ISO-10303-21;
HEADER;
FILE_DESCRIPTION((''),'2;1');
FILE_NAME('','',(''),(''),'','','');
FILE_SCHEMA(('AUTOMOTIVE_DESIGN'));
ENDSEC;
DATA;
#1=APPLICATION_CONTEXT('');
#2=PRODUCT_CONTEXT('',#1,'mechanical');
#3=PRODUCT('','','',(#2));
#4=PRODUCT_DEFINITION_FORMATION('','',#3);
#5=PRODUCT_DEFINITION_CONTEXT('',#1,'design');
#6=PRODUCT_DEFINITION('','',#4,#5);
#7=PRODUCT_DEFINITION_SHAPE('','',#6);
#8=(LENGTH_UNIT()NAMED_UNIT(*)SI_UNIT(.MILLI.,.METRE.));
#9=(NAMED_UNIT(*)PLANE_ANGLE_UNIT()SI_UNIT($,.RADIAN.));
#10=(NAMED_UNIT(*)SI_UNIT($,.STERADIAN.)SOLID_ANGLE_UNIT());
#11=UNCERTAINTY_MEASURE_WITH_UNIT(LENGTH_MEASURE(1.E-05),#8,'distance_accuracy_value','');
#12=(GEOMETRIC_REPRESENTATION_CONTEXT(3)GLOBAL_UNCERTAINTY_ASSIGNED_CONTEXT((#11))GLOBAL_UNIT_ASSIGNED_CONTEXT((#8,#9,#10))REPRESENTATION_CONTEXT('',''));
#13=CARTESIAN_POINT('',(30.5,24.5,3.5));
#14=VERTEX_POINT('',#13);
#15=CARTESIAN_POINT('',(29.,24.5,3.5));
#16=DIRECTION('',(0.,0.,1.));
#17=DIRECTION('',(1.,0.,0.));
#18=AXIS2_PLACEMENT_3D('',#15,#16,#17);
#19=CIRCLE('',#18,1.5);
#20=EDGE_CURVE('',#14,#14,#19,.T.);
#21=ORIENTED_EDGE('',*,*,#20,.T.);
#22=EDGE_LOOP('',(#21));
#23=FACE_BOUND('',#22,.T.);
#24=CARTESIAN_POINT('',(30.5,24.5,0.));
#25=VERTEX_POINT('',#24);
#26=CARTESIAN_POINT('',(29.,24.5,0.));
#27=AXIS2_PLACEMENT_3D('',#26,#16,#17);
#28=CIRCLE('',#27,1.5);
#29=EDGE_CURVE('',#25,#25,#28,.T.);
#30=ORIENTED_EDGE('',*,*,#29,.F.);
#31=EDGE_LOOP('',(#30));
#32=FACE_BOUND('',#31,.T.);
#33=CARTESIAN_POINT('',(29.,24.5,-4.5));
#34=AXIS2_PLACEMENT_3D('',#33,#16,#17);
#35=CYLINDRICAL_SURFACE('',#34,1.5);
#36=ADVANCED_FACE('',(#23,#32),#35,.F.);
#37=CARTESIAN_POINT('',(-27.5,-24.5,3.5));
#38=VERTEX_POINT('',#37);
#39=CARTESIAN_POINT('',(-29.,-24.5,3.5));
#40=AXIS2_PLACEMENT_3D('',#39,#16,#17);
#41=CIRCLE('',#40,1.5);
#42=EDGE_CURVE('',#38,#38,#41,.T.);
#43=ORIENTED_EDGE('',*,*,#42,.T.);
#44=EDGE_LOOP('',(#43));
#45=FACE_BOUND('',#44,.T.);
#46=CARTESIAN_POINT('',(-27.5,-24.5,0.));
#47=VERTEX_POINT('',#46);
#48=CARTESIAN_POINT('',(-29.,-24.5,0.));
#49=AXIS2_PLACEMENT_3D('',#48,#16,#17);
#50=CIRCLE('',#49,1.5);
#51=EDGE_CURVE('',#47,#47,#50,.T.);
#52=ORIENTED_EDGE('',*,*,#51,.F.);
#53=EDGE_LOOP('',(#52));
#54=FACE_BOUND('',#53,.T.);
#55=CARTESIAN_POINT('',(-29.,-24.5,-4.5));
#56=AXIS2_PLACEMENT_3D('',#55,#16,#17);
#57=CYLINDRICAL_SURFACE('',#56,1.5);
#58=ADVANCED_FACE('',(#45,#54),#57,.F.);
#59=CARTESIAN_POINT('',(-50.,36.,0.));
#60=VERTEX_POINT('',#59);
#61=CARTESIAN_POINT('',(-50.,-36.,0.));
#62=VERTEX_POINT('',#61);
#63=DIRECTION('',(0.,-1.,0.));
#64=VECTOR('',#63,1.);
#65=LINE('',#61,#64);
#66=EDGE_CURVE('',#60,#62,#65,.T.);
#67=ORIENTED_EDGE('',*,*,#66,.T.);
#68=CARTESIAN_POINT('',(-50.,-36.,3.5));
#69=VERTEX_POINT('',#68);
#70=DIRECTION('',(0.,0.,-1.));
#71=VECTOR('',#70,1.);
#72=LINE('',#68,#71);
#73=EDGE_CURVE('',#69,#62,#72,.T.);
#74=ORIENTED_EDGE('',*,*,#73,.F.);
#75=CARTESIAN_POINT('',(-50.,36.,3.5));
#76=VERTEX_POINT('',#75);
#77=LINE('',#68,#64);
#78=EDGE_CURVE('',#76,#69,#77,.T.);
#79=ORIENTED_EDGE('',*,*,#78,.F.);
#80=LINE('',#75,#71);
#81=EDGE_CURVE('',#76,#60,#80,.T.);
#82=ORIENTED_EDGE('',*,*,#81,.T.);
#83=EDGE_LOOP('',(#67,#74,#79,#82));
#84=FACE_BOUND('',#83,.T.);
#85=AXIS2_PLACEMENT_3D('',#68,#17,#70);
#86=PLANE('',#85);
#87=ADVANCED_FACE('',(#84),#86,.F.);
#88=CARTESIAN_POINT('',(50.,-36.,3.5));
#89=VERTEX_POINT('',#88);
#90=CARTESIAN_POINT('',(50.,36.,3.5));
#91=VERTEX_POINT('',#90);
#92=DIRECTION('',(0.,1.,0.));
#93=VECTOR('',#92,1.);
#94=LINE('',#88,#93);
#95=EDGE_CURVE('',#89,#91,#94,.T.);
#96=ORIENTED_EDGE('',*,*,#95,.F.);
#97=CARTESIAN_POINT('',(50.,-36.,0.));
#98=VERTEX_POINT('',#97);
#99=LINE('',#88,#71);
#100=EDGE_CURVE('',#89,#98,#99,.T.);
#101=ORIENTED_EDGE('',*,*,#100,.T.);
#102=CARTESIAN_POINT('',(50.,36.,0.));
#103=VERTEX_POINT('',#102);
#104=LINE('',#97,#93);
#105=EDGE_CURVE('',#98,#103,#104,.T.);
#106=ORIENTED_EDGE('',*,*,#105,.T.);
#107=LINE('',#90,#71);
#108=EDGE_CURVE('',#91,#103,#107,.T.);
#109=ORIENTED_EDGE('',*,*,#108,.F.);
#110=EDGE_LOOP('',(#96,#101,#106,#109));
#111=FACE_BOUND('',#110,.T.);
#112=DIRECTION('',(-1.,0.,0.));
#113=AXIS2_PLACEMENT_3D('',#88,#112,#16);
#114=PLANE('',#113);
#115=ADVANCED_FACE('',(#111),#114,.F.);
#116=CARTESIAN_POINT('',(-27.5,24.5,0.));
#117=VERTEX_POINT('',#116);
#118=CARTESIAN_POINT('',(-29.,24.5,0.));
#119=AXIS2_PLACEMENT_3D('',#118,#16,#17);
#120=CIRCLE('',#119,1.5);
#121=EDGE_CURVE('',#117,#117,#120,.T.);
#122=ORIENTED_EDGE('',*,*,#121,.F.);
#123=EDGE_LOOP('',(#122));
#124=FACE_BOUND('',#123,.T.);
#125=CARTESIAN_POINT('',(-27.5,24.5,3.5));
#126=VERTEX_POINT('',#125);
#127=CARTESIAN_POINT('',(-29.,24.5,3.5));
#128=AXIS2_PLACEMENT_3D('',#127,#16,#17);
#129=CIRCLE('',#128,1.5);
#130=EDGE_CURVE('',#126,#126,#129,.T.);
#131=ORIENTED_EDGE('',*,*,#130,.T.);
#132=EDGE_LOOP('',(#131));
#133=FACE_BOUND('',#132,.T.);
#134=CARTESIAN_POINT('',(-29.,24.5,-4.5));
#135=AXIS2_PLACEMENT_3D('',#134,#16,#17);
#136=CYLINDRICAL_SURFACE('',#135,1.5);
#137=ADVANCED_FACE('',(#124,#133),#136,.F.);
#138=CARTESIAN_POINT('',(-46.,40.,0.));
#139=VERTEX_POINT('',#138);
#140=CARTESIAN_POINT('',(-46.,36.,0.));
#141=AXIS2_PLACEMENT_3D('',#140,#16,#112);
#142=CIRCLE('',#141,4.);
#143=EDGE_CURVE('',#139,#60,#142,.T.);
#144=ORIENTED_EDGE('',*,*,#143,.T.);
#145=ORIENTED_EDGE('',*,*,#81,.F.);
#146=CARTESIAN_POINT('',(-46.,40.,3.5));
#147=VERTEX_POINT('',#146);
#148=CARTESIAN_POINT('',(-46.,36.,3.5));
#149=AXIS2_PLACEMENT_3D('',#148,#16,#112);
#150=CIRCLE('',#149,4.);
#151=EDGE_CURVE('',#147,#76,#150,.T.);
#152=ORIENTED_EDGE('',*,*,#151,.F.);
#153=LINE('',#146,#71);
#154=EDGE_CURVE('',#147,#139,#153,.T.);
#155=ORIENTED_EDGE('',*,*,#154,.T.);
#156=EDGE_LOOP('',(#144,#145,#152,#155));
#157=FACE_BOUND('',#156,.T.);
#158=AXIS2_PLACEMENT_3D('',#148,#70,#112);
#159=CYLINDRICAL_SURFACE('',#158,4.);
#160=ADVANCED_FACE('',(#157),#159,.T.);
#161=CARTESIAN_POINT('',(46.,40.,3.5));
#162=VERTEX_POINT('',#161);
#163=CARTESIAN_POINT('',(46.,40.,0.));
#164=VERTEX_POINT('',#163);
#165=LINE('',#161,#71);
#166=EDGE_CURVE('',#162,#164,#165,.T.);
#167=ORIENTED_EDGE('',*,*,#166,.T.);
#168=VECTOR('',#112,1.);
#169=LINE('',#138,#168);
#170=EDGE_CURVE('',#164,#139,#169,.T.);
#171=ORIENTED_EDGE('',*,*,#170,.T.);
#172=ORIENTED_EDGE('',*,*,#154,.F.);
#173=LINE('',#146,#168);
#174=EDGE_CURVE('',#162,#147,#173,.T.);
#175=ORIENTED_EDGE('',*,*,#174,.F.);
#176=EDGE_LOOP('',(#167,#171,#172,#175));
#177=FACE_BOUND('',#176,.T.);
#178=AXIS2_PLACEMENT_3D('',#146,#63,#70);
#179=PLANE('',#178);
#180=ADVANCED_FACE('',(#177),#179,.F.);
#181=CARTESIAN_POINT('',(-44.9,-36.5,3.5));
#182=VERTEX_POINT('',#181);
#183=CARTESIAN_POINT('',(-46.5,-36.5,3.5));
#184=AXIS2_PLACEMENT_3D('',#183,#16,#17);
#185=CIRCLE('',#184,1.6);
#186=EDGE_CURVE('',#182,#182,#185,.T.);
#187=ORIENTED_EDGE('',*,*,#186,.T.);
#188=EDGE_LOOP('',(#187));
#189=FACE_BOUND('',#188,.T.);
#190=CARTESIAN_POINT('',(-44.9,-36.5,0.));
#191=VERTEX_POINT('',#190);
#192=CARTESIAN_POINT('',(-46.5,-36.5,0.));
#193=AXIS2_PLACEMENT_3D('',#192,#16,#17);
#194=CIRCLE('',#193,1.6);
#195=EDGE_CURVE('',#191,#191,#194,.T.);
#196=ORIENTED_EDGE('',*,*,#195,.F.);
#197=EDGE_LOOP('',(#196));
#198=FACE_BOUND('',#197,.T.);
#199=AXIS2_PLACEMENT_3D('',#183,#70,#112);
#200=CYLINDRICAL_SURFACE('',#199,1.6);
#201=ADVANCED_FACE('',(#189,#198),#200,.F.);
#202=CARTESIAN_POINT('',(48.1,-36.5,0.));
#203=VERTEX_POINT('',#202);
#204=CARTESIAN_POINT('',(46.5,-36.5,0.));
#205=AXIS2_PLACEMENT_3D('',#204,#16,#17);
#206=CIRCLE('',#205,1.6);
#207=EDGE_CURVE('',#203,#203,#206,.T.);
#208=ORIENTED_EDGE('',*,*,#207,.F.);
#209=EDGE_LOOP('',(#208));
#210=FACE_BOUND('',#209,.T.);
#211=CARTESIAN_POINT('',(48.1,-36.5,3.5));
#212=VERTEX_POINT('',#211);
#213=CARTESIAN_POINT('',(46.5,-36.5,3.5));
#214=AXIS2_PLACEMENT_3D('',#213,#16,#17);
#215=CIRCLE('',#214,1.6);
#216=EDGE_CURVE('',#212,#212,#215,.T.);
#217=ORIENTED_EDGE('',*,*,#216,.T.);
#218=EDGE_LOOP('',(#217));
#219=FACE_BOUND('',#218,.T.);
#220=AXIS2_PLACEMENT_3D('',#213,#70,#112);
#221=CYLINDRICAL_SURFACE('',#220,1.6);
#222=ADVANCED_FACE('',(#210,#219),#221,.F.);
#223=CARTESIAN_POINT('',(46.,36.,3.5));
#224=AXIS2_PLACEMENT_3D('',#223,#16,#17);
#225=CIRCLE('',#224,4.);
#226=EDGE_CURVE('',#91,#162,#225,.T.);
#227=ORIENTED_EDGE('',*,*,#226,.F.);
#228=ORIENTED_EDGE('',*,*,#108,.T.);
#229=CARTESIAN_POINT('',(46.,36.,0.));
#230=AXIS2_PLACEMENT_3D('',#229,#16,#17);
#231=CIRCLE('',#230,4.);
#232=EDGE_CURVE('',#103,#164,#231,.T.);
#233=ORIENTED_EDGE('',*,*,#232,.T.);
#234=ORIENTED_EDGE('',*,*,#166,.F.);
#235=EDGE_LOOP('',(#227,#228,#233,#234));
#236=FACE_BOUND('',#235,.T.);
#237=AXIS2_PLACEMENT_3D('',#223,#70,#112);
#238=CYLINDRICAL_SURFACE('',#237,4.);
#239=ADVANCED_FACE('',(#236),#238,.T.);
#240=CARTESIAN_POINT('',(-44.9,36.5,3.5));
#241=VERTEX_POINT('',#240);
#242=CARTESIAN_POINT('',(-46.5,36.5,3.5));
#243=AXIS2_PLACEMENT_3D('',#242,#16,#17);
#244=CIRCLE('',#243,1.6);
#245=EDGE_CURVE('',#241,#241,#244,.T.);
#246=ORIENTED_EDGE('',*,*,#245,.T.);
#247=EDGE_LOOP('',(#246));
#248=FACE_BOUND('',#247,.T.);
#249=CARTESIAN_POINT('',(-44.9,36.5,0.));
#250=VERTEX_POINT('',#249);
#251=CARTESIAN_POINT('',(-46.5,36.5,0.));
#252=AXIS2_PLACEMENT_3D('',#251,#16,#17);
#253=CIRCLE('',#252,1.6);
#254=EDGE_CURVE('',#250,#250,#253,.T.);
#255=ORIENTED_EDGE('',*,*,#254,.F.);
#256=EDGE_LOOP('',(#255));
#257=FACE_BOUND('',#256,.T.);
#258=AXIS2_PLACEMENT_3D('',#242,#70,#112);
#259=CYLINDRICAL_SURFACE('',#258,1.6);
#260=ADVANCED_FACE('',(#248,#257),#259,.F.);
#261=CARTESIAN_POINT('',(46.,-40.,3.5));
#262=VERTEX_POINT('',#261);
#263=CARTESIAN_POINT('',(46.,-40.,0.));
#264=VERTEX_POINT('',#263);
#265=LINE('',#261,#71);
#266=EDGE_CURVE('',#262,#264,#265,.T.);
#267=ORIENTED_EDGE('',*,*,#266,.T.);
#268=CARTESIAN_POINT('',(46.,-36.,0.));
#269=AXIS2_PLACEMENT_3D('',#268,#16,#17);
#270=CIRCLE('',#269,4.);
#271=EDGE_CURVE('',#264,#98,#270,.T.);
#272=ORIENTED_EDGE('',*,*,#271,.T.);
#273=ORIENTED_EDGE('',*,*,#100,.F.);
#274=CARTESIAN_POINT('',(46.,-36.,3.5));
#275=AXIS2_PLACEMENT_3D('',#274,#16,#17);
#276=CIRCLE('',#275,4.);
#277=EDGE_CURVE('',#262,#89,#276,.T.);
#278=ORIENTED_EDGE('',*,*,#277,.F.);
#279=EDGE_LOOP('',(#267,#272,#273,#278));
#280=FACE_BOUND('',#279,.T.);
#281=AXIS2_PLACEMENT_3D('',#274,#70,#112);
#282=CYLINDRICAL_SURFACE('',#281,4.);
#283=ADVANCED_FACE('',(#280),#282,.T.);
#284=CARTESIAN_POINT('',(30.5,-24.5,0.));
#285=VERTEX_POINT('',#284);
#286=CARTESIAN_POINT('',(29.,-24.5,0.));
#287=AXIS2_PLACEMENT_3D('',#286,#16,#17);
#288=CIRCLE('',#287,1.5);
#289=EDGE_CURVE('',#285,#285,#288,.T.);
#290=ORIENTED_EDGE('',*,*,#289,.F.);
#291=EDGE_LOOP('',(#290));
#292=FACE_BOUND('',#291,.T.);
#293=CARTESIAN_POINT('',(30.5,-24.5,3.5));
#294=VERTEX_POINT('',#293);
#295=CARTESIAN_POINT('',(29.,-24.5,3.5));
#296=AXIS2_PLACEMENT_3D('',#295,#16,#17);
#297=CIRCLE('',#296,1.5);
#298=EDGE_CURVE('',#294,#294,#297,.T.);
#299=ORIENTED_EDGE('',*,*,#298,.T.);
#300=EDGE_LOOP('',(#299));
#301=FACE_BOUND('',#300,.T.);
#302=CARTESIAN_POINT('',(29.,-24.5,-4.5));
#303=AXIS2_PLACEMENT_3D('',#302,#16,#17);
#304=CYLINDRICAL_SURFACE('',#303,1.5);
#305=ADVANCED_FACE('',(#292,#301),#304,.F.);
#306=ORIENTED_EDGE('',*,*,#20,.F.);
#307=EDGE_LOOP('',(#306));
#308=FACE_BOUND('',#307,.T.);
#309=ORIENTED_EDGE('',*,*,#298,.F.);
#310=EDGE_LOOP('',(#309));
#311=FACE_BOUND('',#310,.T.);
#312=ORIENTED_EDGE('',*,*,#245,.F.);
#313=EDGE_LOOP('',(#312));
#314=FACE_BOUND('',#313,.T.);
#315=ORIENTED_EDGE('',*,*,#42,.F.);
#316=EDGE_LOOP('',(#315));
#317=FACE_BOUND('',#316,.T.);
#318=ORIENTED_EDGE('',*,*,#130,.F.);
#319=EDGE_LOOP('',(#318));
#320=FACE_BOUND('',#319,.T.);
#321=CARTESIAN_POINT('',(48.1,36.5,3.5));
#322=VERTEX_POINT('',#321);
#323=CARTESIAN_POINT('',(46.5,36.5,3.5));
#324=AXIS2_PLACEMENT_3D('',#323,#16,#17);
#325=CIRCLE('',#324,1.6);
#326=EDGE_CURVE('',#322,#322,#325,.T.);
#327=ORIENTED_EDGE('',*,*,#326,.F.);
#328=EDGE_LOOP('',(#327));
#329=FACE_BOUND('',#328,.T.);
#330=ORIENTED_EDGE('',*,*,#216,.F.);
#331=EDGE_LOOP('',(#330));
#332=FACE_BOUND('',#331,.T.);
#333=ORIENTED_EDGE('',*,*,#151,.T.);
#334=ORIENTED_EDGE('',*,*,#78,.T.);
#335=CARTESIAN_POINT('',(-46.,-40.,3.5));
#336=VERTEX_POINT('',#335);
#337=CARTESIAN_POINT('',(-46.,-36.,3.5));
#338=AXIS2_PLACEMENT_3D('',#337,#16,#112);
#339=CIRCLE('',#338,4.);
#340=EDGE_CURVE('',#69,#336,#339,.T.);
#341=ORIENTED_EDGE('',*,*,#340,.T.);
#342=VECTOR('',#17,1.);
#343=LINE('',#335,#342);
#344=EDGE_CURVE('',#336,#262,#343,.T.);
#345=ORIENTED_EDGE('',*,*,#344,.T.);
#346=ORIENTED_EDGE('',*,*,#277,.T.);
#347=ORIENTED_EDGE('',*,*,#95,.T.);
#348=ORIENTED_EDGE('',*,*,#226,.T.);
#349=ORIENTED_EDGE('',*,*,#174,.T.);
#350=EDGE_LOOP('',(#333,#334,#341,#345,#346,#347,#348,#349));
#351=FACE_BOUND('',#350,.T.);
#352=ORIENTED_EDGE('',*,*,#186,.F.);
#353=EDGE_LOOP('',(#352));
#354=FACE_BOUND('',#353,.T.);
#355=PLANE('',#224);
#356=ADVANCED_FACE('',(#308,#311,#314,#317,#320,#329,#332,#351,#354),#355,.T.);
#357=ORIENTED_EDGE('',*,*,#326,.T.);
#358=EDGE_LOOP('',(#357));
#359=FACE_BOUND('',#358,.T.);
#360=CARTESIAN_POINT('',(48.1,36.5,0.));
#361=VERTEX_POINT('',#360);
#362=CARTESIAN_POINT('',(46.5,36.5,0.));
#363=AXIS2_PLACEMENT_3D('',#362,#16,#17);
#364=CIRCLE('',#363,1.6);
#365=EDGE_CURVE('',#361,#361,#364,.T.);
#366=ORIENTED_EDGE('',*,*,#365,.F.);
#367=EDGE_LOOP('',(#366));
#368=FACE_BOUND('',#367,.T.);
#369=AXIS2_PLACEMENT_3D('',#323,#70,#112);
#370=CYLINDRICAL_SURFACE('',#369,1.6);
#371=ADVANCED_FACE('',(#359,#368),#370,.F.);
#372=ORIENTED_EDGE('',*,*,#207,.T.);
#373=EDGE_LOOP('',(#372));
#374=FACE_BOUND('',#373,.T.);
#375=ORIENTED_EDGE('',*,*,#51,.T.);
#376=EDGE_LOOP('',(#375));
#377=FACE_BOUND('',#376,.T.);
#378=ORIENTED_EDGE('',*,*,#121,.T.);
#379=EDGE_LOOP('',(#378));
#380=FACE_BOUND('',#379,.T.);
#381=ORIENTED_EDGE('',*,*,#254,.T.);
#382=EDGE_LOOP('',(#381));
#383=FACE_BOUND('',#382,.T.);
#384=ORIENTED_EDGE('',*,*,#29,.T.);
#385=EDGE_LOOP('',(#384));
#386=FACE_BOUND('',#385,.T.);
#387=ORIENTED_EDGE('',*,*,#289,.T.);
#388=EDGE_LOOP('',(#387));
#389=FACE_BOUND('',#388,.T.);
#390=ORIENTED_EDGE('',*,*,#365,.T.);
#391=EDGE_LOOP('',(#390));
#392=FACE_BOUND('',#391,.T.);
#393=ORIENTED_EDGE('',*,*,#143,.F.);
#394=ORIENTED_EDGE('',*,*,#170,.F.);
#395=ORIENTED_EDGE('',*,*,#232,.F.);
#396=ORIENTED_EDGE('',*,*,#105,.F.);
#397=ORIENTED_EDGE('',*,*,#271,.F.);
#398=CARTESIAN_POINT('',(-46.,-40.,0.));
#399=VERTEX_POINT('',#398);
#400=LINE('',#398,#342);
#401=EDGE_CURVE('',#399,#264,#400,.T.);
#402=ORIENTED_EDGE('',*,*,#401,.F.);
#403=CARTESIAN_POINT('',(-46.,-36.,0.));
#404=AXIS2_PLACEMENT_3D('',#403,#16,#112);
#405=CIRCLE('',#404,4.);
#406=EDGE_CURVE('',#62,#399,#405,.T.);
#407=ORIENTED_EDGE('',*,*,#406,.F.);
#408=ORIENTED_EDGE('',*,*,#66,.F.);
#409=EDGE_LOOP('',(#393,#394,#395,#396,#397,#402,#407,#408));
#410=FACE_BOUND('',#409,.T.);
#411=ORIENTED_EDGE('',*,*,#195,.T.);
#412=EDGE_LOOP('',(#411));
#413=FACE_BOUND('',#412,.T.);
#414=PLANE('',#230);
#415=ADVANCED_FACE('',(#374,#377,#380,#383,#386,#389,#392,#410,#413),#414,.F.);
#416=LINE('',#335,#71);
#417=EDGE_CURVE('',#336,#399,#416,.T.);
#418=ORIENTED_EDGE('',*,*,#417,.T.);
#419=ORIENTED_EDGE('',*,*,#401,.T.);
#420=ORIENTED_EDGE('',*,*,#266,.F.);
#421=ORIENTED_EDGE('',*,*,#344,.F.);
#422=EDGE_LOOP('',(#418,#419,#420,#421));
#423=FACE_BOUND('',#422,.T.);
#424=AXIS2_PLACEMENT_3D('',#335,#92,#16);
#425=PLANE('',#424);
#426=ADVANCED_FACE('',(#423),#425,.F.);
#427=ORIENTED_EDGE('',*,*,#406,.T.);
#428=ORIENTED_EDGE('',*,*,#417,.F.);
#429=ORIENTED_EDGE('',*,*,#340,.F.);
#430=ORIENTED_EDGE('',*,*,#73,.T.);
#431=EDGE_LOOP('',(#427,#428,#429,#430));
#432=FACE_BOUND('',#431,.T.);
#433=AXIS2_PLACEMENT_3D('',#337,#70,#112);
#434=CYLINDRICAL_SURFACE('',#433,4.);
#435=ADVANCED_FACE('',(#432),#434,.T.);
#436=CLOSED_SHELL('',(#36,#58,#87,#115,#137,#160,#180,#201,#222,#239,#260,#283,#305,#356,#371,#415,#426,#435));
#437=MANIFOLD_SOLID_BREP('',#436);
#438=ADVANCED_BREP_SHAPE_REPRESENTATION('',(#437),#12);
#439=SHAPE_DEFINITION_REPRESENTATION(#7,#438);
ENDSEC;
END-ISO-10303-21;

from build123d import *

# Parameters (mm, degrees)
SKETCH2_R           = 1.6
BOSS_EXTRUDE1_DEPTH = 3.5
SKETCH3_R           = 1.5
CUT_EXTRUDE1_DEPTH  = 8


with BuildPart() as part:
    # Sketch2 → Boss-Extrude1 (new body)
    with BuildSketch(Plane.XY):
        with BuildLine():
            Line((-46, -40), (46, -40))
            ThreePointArc((46, -40), (48.828427125, -38.828427125), (50, -36))
            Line((50, -36), (50, 36))
            ThreePointArc((50, 36), (48.828427125, 38.828427125), (46, 40))
            Line((46, 40), (-46, 40))
            ThreePointArc((-46, 40), (-48.828427125, 38.828427125), (-50, 36))
            Line((-50, 36), (-50, -36))
            ThreePointArc((-50, -36), (-48.828427125, -38.828427125), (-46, -40))
        make_face()
        with Locations((-46.5, 36.5)):
            Circle(SKETCH2_R, mode=Mode.SUBTRACT)
        with Locations((46.5, 36.5)):
            Circle(SKETCH2_R, mode=Mode.SUBTRACT)
        with Locations((-46.5, -36.5)):
            Circle(SKETCH2_R, mode=Mode.SUBTRACT)
        with Locations((46.5, -36.5)):
            Circle(SKETCH2_R, mode=Mode.SUBTRACT)
    extrude(amount=BOSS_EXTRUDE1_DEPTH)

    # Sketch3 → Cut-Extrude1 (cut)
    with BuildSketch(Plane.XY.offset(3.5)):
        with Locations((-29, 24.5)):
            Circle(SKETCH3_R)
        with Locations((-29, -24.5)):
            Circle(SKETCH3_R)
        with Locations((29, -24.5)):
            Circle(SKETCH3_R)
        with Locations((29, 24.5)):
            Circle(SKETCH3_R)
    extrude(amount=-CUT_EXTRUDE1_DEPTH, mode=Mode.SUBTRACT)


solid = part.part
